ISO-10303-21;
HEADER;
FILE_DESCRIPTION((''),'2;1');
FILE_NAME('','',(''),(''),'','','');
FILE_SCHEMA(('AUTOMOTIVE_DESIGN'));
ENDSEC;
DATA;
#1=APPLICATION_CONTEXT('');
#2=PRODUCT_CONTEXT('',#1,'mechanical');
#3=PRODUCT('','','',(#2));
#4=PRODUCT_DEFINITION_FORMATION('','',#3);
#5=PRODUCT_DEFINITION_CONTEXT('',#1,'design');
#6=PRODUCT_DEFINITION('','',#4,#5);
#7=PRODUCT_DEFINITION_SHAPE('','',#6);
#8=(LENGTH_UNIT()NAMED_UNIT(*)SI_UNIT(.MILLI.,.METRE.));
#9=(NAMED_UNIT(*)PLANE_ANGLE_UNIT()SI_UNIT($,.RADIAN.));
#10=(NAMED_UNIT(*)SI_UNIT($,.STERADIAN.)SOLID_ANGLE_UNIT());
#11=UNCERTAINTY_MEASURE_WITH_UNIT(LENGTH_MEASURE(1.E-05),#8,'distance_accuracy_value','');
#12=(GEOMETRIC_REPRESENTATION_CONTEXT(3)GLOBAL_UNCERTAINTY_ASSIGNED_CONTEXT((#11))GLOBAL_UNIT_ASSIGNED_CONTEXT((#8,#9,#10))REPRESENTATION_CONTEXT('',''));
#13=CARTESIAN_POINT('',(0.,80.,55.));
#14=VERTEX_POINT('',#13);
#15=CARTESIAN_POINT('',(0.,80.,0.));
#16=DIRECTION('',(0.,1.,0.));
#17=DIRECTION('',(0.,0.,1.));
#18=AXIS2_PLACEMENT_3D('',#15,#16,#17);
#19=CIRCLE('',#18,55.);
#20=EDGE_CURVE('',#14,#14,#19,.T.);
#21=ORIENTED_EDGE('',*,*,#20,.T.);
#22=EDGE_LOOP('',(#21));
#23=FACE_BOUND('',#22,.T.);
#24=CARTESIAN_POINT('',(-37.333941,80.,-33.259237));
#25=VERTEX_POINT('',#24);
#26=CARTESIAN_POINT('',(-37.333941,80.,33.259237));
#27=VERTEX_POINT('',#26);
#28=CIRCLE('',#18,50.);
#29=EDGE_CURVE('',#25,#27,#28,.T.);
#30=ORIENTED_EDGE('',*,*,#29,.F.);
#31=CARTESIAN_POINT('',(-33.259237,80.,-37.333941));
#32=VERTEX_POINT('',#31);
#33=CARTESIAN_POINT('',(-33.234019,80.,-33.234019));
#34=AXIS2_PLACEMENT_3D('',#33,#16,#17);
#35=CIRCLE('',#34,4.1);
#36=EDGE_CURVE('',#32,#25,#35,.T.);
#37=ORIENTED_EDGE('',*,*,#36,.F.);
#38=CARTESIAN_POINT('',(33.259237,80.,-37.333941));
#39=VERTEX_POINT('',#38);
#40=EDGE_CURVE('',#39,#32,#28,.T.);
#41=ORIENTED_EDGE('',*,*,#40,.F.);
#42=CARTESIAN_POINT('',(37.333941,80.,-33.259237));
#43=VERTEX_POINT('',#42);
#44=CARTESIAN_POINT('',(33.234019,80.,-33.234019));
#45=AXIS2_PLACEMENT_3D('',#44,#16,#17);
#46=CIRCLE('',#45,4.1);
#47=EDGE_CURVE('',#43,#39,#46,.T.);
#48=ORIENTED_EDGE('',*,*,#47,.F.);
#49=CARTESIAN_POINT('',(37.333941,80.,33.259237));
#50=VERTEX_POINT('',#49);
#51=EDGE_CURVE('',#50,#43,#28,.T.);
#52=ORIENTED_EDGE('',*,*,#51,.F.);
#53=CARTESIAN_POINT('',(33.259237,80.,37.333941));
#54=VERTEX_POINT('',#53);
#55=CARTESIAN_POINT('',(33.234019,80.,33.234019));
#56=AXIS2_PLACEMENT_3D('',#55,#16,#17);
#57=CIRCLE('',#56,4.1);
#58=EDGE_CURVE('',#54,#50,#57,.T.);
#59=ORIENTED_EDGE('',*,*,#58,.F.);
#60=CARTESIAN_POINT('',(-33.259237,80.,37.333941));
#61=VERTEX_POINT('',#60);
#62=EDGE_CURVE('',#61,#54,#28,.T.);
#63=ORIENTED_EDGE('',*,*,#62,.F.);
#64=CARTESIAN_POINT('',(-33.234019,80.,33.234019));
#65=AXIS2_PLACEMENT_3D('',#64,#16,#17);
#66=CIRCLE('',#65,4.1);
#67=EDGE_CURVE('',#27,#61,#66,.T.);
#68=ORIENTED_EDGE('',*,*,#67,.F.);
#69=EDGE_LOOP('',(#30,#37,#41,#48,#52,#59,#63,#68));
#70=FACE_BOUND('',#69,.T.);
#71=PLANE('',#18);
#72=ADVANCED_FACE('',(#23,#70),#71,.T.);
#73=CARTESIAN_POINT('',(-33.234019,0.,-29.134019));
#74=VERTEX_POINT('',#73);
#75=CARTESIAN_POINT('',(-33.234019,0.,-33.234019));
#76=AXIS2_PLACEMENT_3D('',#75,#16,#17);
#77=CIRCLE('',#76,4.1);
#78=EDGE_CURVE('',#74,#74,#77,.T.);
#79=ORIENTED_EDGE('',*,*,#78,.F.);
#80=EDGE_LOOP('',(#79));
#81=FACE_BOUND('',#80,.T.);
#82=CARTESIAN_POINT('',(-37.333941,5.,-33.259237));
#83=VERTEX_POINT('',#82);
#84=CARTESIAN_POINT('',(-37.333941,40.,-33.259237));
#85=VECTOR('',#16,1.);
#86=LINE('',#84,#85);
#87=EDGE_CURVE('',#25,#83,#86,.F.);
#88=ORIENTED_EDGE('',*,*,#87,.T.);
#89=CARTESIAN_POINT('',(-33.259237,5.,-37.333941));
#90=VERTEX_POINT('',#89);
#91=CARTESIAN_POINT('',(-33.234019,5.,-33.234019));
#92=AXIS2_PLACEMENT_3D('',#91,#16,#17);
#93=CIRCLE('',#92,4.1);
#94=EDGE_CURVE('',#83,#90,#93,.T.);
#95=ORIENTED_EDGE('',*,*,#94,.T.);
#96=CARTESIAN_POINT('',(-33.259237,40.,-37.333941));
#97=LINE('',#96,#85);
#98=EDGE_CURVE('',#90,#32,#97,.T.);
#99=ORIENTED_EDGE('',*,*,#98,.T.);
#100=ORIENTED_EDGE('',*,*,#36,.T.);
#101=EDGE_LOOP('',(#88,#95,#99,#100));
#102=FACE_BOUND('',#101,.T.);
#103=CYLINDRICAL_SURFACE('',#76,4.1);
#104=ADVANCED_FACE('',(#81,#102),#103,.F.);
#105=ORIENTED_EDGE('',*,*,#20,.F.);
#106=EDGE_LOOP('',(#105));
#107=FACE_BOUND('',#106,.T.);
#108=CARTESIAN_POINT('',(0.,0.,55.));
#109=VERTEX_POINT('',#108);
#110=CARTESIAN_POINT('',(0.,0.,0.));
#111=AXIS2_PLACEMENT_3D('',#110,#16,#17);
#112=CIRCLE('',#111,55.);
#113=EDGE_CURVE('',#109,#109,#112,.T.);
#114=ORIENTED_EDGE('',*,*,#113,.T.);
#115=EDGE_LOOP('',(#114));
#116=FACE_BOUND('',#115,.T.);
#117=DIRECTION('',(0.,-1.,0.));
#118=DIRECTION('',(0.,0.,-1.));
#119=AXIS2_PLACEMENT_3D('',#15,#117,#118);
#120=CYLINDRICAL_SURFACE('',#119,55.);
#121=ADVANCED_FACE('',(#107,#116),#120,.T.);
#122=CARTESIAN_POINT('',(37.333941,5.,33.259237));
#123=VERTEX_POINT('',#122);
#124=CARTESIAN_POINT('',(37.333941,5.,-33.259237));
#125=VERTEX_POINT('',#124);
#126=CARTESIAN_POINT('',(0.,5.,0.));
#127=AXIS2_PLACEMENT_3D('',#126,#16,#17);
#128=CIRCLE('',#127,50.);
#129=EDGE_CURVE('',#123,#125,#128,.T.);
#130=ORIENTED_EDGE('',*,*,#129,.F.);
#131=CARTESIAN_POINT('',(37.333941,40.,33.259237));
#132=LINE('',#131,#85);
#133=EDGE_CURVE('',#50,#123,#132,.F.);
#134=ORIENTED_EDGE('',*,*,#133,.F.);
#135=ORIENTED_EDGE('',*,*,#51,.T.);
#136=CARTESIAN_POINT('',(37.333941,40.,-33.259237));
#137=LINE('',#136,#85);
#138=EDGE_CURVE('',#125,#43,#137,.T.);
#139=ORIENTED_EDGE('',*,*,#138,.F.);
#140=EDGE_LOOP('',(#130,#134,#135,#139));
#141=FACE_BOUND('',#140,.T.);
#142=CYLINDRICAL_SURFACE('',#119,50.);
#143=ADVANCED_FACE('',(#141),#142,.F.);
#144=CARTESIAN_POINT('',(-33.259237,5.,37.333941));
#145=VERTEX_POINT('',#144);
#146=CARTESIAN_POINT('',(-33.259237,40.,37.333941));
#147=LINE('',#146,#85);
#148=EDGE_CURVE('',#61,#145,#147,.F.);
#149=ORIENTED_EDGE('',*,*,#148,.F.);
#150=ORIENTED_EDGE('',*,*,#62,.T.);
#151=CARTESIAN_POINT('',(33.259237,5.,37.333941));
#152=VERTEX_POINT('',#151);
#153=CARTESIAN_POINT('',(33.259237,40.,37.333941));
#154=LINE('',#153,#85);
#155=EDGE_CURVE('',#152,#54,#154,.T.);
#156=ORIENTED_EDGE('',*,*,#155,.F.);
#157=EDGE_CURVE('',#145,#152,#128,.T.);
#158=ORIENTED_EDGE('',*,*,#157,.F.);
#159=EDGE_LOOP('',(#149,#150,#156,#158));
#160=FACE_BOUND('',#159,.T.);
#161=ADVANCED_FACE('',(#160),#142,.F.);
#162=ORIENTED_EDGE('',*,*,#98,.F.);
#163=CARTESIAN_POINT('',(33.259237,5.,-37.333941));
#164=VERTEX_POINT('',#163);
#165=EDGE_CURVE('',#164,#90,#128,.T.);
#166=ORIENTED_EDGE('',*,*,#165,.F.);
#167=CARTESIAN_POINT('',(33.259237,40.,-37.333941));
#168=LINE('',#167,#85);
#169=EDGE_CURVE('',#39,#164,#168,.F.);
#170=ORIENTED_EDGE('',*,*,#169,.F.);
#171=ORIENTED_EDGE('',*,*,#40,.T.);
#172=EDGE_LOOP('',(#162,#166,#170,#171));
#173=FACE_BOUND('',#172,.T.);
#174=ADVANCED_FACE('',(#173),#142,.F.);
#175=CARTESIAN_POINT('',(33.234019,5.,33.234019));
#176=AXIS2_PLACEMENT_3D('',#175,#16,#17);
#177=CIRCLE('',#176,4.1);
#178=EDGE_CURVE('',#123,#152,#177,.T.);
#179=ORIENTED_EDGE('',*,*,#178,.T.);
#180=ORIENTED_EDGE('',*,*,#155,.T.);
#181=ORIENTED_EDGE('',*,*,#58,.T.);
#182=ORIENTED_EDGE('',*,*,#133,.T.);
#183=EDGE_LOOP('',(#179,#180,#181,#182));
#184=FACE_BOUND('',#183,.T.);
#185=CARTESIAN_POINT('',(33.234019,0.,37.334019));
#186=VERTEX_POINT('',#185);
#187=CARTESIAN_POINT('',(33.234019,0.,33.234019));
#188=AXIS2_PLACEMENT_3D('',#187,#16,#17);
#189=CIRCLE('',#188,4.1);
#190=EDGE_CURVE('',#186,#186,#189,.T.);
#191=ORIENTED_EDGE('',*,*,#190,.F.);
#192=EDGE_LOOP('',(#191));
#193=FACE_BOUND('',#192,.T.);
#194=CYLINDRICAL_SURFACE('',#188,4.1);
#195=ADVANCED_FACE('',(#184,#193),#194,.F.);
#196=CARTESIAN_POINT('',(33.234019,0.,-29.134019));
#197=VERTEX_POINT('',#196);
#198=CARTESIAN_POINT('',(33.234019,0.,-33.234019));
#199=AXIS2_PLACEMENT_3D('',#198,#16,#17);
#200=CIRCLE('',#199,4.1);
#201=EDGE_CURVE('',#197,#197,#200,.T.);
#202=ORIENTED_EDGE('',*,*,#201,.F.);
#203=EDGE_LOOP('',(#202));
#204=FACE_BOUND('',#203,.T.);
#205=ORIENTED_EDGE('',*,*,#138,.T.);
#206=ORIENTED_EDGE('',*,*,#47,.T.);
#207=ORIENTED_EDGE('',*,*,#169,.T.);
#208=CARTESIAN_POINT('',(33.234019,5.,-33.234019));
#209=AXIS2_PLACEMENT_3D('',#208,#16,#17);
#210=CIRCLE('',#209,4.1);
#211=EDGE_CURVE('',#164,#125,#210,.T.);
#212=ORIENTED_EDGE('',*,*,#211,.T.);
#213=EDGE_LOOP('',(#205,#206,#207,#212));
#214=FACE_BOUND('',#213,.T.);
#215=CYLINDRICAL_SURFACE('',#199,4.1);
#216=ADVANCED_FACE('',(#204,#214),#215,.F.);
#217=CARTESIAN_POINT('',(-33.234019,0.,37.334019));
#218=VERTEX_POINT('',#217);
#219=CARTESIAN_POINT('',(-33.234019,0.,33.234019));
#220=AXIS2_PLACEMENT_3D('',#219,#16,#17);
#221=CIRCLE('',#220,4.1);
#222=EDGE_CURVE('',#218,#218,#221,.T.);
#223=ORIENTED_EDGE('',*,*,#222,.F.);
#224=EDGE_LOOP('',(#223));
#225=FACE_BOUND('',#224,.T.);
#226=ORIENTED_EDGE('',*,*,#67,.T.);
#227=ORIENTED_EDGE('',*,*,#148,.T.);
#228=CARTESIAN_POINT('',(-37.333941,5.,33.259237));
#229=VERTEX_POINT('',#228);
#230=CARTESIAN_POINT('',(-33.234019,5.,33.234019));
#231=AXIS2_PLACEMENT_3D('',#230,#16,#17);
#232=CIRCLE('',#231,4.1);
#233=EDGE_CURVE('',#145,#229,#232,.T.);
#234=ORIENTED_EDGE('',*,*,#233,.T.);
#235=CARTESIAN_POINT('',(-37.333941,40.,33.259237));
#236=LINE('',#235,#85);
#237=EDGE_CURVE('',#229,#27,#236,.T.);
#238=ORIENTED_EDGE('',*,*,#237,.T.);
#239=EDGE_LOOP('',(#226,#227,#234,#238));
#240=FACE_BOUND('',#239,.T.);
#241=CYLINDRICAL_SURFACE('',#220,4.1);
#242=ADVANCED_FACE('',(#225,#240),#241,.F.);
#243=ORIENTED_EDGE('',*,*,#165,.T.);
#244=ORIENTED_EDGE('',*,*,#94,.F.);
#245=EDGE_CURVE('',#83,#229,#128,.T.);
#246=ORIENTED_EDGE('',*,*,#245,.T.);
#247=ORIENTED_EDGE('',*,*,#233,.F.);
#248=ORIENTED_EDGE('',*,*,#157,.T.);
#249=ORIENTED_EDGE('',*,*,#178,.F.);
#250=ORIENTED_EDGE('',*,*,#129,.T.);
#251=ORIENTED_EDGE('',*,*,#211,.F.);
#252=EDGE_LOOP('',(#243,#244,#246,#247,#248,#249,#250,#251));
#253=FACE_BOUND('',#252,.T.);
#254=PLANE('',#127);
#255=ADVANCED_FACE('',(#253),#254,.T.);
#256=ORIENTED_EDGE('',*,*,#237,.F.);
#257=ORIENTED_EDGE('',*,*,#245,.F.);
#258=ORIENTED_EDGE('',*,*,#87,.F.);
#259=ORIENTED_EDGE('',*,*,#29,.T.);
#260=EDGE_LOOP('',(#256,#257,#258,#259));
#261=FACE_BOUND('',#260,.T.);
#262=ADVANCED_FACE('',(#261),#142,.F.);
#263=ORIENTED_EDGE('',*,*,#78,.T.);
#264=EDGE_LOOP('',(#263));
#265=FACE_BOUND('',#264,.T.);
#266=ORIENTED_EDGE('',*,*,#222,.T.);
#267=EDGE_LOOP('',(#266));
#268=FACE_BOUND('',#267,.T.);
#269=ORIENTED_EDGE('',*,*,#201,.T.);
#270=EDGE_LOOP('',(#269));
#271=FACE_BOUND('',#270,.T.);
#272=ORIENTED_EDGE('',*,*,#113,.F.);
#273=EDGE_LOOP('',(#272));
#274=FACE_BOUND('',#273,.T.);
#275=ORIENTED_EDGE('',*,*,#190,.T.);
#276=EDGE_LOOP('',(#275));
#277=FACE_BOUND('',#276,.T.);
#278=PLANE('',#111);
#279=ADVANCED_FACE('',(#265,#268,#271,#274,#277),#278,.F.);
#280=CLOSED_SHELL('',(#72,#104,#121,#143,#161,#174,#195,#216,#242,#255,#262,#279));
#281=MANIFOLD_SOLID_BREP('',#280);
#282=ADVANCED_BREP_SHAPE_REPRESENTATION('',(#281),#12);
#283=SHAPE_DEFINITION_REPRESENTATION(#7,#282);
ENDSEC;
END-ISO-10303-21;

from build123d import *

# Parameters (mm, degrees)
SKETCH1_R           = 55
BOSS_EXTRUDE1_DEPTH = 80
SHELL1_T            = -5
SKETCH2_R           = 4.1
CUT_EXTRUDE1_DEPTH  = 112.579568022


with BuildPart() as part:
    # Sketch1 → Boss-Extrude1 (new body)
    with BuildSketch(Plane(origin=(0, 0, 0), x_dir=(1, 0, 0), z_dir=(0, 1, 0))):
        with Locations(Location((0, 0, 0), (0, 0, 270))):
            Circle(SKETCH1_R)
    extrude(amount=BOSS_EXTRUDE1_DEPTH)

    # Shell1
    shell1_openings = [part.faces().sort_by_distance(p)[0] for p in [
        (0, 80, 0),
    ]]
    offset(amount=SHELL1_T, openings=shell1_openings, kind=Kind.INTERSECTION)

    # Sketch2 → Cut-Extrude1 (cut, through all)
    with BuildSketch(Plane(origin=(0, 80, 0), x_dir=(1, 0, 0), z_dir=(0, 1, 0))):
        with Locations(Location((-33.234018716, -33.234018716, 0), (0, 0, 270))):
            Circle(SKETCH2_R)
        with Locations(Location((-33.234018716, 33.234018716, 0), (0, 0, 270))):
            Circle(SKETCH2_R)
        with Locations(Location((33.234018716, 33.234018716, 0), (0, 0, 270))):
            Circle(SKETCH2_R)
        with Locations(Location((33.234018716, -33.234018716, 0), (0, 0, 270))):
            Circle(SKETCH2_R)
    extrude(amount=-CUT_EXTRUDE1_DEPTH, mode=Mode.SUBTRACT)


solid = part.part
